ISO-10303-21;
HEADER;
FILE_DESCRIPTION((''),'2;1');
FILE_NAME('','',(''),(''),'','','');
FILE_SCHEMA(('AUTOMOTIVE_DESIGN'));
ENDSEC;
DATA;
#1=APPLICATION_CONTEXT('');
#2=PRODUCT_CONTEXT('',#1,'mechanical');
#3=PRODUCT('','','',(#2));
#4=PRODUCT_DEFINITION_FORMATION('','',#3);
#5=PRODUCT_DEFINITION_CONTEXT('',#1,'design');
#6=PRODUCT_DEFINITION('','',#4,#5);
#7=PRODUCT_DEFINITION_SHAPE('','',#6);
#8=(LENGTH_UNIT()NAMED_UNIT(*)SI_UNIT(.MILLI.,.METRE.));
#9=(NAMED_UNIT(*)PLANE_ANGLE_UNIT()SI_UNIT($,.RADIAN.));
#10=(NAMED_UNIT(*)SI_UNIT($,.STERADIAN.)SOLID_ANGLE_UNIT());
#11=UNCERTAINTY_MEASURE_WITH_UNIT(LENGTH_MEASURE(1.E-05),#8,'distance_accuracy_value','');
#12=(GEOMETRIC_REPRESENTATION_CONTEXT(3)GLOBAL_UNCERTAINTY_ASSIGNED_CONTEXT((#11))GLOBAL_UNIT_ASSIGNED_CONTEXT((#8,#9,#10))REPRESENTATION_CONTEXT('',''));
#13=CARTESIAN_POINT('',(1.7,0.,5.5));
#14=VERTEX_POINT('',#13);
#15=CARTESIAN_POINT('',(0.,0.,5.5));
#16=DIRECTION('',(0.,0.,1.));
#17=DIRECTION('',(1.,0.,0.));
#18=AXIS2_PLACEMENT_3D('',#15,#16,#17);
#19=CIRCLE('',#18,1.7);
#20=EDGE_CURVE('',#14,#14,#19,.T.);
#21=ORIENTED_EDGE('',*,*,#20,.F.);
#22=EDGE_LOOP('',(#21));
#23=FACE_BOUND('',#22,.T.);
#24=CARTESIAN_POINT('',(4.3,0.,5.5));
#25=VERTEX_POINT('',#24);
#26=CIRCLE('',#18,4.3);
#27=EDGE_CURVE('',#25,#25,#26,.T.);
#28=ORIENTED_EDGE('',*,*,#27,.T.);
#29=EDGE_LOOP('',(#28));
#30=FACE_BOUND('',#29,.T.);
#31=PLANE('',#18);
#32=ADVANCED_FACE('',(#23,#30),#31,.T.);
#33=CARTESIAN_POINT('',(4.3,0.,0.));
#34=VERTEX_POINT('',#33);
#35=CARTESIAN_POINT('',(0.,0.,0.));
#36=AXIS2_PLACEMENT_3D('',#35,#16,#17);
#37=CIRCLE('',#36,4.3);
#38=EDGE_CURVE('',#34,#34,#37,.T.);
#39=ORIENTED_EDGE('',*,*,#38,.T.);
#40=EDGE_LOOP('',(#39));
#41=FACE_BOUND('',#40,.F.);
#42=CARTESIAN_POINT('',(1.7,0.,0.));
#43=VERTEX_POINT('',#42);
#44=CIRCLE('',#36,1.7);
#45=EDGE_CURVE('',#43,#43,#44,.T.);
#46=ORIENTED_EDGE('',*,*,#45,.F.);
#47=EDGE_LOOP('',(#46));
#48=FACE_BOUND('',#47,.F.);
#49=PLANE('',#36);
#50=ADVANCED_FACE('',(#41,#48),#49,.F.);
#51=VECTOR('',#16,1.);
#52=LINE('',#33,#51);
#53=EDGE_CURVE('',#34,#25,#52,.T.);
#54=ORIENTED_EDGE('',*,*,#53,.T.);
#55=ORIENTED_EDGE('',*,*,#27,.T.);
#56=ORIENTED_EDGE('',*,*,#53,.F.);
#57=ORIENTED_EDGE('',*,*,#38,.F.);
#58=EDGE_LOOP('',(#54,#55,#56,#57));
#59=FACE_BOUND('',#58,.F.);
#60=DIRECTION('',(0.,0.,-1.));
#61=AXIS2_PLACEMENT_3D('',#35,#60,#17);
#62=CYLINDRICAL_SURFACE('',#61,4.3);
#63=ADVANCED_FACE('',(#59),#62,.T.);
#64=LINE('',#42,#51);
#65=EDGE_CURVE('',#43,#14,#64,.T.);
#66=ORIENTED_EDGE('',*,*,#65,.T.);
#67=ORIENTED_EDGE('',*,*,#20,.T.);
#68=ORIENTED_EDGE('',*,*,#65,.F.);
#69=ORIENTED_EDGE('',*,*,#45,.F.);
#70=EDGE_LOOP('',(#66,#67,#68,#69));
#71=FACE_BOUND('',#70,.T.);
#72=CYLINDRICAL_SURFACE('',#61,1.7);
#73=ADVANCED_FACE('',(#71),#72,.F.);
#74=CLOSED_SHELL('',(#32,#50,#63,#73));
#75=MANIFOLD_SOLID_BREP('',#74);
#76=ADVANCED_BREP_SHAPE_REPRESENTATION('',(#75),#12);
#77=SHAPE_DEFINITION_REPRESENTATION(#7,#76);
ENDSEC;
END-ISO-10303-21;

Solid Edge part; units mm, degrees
sketch "Sketch1" plane through (0, 0, 0) normal (0, 0, 1) x (1, 0, 0)
  circle A0 centre (0, 0) radius 4.3
  circle A1 centre (0, 0) radius 1.7
extrude "Protrusion1" add sketch "Sketch1" along normal blind 5.5
